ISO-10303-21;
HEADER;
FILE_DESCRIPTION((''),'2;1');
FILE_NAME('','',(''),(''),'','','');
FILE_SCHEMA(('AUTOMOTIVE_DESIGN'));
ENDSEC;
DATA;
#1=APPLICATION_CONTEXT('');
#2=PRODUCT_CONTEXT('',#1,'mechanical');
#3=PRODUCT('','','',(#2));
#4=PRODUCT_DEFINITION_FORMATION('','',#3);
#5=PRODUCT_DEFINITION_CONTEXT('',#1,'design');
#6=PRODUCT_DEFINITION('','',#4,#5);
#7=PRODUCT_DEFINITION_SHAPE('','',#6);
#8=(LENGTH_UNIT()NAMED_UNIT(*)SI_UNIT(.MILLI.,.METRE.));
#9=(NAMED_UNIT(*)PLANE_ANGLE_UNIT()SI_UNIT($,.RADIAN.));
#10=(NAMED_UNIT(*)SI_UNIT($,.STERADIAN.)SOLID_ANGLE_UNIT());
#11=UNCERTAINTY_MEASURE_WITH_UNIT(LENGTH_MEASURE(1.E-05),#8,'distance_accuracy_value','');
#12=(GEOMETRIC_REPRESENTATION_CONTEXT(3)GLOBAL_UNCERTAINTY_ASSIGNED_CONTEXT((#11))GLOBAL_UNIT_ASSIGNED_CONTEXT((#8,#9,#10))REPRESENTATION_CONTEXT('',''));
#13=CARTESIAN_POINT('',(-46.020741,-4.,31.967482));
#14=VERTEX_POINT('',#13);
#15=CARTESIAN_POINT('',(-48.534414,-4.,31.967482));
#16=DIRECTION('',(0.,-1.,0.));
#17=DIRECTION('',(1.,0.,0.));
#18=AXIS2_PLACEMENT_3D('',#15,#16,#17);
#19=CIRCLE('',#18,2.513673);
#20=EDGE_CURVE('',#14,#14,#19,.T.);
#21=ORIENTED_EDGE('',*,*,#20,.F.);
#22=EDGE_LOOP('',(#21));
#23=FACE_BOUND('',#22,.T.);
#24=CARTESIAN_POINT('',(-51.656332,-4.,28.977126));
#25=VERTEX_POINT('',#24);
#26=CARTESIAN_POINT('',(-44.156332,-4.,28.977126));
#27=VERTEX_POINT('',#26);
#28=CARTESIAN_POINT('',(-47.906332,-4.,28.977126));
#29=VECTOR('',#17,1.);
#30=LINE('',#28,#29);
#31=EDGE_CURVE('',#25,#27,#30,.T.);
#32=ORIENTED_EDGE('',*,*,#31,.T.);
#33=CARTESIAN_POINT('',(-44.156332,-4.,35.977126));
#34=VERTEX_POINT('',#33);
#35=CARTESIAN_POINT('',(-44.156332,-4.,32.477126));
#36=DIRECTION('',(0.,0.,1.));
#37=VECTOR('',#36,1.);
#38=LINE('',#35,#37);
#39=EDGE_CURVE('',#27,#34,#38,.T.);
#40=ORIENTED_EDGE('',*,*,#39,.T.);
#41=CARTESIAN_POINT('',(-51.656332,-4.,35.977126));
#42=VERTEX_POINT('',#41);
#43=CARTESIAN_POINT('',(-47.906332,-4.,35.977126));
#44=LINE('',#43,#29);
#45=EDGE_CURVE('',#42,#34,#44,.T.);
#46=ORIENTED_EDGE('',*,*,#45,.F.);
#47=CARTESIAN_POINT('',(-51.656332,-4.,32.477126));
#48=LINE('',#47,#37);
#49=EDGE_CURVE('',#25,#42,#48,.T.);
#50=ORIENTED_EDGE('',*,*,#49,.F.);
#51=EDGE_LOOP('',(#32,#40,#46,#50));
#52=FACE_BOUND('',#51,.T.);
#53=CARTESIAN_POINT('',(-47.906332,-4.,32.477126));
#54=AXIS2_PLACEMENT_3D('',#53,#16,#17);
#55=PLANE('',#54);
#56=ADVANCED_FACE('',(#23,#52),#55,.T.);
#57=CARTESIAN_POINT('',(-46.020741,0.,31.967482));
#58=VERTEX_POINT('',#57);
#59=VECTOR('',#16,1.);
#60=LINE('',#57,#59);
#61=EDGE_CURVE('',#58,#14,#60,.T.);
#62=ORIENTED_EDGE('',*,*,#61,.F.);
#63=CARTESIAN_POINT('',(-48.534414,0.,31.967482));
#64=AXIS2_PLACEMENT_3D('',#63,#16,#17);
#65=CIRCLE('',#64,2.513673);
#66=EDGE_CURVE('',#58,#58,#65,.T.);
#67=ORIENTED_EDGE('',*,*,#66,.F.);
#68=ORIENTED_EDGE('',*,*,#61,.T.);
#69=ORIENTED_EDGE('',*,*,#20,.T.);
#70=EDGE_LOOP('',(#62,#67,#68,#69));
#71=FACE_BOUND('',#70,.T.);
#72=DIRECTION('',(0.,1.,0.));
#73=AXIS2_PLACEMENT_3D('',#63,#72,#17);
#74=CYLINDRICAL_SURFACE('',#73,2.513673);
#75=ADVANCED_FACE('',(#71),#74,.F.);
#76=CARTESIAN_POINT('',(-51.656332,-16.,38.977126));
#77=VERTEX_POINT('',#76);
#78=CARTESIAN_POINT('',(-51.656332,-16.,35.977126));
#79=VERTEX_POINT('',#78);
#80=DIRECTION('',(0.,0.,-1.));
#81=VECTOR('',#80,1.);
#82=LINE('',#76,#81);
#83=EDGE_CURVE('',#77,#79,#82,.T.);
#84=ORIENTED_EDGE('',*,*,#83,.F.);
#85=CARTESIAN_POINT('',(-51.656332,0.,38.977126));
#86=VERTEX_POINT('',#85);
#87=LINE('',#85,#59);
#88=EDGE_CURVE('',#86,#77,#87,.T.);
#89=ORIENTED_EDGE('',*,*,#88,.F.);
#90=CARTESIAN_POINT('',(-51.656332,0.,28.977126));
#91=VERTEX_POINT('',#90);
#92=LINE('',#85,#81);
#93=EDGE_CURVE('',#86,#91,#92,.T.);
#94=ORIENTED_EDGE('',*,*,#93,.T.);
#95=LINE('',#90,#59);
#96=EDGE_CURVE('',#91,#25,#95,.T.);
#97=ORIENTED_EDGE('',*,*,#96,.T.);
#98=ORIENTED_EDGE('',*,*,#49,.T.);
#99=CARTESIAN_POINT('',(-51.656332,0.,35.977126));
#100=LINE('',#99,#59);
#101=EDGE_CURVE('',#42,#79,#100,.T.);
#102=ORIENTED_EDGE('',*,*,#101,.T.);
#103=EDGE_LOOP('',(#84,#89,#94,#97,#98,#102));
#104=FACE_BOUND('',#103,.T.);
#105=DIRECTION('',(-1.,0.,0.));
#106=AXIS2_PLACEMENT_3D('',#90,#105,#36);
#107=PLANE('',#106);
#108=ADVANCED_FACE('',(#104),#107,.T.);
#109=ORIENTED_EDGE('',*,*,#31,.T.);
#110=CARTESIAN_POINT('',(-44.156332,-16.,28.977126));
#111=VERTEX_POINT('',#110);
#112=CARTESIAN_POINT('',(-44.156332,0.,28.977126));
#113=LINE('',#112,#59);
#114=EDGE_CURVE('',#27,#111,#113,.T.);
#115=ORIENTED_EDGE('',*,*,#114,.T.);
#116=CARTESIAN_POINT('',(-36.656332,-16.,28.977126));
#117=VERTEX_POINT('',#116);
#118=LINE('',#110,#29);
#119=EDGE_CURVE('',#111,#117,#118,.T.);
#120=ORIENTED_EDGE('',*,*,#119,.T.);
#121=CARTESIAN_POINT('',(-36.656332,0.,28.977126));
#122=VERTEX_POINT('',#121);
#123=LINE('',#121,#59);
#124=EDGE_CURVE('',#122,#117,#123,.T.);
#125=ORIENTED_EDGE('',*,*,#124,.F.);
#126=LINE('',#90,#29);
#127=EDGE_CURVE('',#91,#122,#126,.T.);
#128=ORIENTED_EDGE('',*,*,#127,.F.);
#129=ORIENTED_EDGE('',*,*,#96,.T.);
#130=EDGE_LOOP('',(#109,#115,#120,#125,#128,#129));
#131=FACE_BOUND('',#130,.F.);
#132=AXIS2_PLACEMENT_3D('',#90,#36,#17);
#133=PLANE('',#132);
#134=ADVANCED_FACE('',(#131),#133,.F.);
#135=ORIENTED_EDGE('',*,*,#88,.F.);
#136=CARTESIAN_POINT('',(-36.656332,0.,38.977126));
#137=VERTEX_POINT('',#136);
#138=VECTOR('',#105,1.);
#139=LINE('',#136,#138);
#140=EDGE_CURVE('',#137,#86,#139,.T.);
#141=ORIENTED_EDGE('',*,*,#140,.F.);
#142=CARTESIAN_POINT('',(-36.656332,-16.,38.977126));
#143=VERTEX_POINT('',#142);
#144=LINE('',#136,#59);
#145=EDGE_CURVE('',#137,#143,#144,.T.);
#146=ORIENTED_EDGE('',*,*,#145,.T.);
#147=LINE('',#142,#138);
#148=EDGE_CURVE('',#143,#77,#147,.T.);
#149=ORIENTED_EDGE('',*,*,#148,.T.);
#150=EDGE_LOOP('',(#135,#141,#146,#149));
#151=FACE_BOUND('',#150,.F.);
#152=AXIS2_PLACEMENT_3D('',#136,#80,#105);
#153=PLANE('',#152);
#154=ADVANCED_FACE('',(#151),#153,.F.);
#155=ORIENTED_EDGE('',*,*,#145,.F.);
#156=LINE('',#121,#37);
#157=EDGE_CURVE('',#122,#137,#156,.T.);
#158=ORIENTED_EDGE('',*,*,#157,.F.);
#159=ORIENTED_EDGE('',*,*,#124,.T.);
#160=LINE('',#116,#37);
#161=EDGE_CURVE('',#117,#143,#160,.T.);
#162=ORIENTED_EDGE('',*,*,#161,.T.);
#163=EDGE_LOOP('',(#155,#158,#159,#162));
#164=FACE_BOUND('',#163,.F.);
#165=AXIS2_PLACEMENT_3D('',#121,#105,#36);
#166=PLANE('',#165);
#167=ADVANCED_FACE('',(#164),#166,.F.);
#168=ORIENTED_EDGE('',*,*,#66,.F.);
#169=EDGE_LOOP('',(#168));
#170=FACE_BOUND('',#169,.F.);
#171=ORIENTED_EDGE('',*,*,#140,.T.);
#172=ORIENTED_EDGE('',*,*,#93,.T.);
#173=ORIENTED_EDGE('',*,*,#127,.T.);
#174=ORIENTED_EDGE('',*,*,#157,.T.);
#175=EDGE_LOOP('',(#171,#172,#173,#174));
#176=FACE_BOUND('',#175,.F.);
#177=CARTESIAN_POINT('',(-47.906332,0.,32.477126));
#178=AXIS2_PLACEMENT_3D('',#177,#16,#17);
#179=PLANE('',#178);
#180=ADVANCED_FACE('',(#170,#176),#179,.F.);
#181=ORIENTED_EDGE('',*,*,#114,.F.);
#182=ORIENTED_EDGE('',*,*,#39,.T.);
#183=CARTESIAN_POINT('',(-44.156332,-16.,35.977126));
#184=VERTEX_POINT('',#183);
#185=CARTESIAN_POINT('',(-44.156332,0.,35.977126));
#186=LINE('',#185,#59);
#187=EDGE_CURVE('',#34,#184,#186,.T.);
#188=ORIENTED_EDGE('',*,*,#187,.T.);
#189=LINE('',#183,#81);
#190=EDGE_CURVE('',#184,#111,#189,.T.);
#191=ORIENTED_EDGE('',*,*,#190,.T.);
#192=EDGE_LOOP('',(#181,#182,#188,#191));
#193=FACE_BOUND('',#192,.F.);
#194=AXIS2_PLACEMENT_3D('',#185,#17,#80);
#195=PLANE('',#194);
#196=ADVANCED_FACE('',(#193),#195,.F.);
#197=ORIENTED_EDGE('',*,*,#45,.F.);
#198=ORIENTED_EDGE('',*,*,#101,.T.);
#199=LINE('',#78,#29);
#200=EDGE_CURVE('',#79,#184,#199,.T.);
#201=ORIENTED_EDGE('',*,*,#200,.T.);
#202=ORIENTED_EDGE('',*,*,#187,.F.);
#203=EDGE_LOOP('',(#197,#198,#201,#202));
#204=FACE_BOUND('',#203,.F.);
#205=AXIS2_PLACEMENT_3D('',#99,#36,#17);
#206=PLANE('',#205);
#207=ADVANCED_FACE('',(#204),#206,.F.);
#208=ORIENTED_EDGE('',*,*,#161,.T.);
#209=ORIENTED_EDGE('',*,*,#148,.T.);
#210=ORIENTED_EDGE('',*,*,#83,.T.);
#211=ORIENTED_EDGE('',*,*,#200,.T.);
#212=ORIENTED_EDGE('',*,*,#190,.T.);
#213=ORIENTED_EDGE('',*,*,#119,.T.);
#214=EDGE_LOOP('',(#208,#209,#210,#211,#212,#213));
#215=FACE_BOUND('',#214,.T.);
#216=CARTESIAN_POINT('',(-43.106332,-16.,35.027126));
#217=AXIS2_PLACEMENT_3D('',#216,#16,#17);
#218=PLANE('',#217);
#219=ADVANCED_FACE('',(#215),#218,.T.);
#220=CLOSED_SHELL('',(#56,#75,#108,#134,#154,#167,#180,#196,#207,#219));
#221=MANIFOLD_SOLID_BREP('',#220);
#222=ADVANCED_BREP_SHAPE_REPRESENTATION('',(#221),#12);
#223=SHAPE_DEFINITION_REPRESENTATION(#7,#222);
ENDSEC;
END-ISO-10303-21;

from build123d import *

# Parameters (mm, degrees)
F1_DEPTH = 16
F0_W     = 7.5
F0_H     = 7
F0_R     = 2.513673
F2_DEPTH = 4


with BuildPart() as f1:
    # F0 (on Front) → F1 (new body)
    with BuildSketch(Plane.XZ):
        Polygon((-36.656332, 38.977126), (-51.656332, 38.977126), (-51.656332, 35.977126), (-44.156332, 35.977126), (-44.156332, 28.977126), (-36.656332, 28.977126), align=None)
    extrude(amount=F1_DEPTH)

    # F0 (on Front) → F2 (join)
    with BuildSketch(Plane.XZ):
        with Locations((-47.906332, 32.477126)):
            Rectangle(F0_W, F0_H)
        with Locations((-48.534414, 31.967482)):
            Circle(F0_R, mode=Mode.SUBTRACT)
    extrude(amount=F2_DEPTH)


solid = f1.part
